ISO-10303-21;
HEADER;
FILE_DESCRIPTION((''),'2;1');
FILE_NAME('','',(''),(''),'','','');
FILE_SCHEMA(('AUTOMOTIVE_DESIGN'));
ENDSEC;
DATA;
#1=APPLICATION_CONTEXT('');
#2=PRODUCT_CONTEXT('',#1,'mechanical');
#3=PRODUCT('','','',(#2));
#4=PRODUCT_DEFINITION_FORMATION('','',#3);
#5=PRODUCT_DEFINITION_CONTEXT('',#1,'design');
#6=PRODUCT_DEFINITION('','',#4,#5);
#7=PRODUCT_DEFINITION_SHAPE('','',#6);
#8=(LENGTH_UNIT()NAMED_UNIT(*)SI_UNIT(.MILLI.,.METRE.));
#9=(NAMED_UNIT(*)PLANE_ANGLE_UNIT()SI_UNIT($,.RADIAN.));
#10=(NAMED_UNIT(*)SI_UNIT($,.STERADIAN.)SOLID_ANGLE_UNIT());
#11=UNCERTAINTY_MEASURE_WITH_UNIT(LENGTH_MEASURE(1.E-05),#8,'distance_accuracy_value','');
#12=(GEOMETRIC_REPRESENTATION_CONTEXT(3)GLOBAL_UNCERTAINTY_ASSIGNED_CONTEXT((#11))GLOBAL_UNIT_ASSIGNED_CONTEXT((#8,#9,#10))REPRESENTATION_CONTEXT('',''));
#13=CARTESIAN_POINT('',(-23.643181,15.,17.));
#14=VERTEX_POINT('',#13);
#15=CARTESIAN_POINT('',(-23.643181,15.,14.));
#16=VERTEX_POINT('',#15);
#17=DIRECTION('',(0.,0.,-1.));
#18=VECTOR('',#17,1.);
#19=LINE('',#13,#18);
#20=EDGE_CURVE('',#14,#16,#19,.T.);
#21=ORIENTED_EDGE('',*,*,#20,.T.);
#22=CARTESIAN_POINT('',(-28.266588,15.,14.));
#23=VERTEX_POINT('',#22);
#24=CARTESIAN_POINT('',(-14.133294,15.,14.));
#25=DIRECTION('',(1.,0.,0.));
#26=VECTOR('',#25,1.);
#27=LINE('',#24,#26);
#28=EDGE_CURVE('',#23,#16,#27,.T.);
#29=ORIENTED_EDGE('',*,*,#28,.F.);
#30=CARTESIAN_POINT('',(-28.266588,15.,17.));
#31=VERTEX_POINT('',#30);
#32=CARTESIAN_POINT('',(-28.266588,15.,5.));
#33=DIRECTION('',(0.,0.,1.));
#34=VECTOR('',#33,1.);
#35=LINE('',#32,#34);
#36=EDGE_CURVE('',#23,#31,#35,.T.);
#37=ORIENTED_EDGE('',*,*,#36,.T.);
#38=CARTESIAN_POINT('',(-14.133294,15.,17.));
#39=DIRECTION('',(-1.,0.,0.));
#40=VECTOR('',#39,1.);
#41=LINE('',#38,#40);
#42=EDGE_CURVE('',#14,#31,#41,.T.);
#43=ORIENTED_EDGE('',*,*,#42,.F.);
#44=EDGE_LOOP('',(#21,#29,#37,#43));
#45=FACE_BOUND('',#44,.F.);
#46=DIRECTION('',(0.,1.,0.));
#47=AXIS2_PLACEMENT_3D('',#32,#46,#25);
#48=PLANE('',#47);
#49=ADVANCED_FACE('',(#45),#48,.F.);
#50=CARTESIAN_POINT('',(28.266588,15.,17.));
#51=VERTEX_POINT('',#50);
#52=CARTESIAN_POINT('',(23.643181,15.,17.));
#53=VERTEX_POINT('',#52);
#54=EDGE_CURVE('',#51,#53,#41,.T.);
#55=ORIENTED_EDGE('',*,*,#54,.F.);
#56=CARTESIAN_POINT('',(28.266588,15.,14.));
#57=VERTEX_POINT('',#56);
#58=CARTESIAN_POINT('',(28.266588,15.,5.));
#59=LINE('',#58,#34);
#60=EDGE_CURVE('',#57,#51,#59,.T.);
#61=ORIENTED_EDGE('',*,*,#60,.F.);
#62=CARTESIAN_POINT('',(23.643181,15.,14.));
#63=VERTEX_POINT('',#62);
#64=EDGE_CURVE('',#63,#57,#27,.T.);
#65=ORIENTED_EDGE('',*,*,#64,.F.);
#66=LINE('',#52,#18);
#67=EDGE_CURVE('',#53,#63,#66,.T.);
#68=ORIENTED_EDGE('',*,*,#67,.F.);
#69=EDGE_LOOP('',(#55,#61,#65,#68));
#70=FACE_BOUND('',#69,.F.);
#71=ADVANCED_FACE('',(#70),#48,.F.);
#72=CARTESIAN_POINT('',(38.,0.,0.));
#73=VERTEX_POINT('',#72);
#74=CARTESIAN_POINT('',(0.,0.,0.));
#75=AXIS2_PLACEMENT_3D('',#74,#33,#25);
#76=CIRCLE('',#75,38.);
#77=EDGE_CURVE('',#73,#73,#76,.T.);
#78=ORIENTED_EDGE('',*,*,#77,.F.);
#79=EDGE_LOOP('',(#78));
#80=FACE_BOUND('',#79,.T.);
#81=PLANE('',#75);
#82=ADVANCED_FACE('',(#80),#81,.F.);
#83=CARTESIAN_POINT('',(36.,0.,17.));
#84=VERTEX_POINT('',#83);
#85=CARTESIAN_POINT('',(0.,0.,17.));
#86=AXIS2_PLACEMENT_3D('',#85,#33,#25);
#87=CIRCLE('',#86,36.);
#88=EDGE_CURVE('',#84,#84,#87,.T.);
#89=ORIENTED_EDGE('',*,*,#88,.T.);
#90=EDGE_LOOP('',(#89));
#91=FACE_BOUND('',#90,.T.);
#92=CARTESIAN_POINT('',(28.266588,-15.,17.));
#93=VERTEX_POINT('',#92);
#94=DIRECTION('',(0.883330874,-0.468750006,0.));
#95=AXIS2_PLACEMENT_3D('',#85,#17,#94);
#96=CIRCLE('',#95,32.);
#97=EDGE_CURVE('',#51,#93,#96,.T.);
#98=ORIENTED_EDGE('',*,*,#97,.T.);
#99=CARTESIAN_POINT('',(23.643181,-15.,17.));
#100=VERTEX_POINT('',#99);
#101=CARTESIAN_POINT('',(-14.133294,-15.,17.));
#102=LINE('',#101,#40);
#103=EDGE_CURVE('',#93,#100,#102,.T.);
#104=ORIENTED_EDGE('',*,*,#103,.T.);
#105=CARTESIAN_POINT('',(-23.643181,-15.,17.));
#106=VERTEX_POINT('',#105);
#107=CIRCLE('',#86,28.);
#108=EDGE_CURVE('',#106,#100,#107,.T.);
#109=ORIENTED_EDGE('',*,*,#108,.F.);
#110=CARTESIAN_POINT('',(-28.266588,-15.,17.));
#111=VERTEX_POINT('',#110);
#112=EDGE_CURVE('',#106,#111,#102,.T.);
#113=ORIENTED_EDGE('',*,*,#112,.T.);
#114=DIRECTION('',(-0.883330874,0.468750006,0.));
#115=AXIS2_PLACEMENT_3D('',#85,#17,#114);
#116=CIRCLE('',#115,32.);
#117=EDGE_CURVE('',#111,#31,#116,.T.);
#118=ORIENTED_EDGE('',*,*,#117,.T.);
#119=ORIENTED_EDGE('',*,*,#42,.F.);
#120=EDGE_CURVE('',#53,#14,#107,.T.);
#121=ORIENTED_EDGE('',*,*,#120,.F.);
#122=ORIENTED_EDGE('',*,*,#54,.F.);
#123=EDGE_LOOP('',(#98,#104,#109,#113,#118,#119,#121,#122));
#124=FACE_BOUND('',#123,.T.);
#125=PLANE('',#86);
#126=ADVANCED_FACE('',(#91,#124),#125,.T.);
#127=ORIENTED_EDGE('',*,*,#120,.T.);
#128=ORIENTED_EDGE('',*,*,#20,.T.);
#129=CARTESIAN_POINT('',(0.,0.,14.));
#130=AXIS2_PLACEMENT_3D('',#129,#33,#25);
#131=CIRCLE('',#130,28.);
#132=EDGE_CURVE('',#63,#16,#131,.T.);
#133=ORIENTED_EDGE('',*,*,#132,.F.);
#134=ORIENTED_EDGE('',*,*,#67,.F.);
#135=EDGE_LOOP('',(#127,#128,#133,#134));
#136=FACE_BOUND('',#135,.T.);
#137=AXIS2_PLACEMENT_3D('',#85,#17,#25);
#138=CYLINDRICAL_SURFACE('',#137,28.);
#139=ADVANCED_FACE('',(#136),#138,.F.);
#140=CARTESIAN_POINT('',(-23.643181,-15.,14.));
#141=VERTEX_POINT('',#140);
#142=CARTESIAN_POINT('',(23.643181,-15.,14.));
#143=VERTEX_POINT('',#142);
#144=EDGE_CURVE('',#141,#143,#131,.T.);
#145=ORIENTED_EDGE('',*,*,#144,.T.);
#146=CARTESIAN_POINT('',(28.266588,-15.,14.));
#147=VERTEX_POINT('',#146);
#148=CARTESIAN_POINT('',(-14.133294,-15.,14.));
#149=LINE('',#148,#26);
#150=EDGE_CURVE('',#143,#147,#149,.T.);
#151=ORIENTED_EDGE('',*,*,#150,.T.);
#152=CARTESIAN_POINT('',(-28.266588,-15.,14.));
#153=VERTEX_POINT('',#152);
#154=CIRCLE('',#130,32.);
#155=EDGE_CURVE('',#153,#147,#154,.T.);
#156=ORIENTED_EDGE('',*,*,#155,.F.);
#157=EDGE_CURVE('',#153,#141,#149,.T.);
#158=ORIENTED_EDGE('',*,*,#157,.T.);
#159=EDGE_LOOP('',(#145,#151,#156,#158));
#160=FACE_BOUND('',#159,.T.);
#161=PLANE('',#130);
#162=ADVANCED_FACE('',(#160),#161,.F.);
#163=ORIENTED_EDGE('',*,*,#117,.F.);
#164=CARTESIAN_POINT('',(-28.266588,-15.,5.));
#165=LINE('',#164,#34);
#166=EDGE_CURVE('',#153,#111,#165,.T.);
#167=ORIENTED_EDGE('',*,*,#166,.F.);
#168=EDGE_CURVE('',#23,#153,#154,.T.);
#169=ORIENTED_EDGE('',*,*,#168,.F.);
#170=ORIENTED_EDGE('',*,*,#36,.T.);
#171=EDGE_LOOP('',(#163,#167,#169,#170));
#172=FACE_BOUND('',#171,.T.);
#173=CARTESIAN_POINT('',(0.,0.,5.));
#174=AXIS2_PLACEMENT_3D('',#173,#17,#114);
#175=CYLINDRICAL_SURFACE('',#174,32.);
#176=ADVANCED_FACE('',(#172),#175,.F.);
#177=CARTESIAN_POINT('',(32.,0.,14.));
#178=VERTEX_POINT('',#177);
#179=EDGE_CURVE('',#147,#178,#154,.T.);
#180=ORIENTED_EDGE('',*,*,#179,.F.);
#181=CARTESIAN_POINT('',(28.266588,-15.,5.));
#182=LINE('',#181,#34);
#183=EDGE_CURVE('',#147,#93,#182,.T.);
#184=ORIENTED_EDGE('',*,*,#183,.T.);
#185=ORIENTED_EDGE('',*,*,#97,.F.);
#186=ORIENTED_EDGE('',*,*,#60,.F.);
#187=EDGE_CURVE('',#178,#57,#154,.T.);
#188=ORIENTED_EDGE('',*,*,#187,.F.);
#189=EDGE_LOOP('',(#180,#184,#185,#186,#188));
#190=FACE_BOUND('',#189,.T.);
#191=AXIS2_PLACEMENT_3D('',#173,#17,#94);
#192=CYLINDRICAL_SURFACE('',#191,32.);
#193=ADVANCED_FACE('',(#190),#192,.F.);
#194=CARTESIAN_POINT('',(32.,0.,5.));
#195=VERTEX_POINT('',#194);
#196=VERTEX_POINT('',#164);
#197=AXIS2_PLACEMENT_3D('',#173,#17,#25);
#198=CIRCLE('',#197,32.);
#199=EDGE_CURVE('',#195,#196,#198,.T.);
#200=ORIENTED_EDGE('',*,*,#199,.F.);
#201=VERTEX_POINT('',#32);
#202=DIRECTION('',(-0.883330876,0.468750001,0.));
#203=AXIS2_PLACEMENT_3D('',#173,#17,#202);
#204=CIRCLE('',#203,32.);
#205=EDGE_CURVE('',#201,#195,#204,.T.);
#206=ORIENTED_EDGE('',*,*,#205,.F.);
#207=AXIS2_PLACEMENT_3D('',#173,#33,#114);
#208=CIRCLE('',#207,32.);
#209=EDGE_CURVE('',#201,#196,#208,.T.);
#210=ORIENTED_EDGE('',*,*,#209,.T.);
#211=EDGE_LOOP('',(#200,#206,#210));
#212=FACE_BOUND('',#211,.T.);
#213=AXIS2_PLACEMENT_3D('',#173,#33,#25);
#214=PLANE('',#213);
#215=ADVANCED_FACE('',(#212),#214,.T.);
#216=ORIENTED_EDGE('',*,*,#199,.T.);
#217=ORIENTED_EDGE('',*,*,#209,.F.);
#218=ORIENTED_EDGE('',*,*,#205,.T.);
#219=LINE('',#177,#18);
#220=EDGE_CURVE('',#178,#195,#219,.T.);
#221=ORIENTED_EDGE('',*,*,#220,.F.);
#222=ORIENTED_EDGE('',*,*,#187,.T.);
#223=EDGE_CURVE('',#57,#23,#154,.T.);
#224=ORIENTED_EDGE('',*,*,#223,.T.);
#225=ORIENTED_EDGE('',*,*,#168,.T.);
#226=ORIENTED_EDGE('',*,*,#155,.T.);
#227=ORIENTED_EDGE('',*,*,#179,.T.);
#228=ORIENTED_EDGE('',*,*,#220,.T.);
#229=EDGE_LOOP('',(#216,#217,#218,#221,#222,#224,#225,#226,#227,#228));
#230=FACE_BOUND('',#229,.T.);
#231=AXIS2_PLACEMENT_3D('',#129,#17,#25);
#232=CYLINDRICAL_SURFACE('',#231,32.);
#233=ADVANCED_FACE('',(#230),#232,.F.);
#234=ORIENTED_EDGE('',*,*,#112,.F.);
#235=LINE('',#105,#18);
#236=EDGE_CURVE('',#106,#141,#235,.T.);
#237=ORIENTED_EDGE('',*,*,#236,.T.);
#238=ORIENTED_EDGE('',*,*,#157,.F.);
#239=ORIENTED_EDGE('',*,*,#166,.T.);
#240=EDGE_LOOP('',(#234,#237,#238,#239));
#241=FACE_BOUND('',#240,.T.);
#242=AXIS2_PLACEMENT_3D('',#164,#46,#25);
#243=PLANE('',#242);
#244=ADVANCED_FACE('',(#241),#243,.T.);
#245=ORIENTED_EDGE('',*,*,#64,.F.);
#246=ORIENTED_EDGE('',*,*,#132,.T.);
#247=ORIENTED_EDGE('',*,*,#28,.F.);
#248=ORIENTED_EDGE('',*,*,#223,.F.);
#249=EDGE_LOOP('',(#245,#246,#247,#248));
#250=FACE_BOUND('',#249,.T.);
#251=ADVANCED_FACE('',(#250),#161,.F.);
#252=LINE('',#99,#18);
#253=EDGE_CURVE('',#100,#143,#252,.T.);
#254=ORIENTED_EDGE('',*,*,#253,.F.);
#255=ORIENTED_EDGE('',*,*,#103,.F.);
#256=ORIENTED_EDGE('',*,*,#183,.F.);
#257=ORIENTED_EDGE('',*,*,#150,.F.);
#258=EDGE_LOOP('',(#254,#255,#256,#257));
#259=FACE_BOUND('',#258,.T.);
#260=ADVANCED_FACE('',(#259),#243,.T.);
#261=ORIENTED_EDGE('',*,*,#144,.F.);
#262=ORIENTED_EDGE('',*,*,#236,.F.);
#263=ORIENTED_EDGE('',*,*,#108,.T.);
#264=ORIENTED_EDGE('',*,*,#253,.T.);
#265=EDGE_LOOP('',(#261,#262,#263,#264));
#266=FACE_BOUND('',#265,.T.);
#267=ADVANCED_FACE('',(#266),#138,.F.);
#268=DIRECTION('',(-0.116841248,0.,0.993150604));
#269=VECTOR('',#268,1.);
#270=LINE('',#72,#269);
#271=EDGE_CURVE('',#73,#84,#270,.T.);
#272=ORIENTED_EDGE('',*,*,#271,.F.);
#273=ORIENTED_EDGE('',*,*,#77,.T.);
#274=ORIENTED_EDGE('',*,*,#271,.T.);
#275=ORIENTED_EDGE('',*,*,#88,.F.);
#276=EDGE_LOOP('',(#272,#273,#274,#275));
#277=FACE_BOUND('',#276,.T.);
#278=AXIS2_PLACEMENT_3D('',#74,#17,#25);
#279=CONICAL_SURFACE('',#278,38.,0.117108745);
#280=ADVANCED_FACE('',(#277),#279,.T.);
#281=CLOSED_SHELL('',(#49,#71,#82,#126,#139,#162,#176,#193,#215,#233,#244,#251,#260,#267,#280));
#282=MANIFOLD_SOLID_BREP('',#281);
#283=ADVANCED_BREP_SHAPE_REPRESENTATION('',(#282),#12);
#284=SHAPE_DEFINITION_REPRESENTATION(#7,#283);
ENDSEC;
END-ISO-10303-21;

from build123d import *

# Parameters (mm, degrees)
POCKET_DEPTH = 12.001


with BuildPart() as part:
    # Sketch → Revolution (revolve)
    with BuildSketch(Plane.XZ):
        Polygon((0, 0), (38, 0), (36, 17), (28, 17), (28, 14), (32, 14), (32, 5), (0, 5), align=None)
    revolve(axis=Axis((0, 0, 0), (0, 0, 1)))

    # Sketch001 (on Face7 of Revolution) → Pocket (cut, through all)
    with BuildSketch(Plane(origin=(0, 0, 5), x_dir=(-1, 0, 0), z_dir=(0, 0, 1))):
        with BuildLine():
            ThreePointArc((28.266588, -15), (32, 0), (28.266588, 15))
            Line((28.266588, 15), (-28.266588, 15))
            ThreePointArc((-28.266588, 15), (-32, 0), (-28.266588, -15))
            Line((28.266588, -15), (-28.266588, -15))
        make_face()
    extrude(amount=POCKET_DEPTH, mode=Mode.SUBTRACT)


solid = part.part
